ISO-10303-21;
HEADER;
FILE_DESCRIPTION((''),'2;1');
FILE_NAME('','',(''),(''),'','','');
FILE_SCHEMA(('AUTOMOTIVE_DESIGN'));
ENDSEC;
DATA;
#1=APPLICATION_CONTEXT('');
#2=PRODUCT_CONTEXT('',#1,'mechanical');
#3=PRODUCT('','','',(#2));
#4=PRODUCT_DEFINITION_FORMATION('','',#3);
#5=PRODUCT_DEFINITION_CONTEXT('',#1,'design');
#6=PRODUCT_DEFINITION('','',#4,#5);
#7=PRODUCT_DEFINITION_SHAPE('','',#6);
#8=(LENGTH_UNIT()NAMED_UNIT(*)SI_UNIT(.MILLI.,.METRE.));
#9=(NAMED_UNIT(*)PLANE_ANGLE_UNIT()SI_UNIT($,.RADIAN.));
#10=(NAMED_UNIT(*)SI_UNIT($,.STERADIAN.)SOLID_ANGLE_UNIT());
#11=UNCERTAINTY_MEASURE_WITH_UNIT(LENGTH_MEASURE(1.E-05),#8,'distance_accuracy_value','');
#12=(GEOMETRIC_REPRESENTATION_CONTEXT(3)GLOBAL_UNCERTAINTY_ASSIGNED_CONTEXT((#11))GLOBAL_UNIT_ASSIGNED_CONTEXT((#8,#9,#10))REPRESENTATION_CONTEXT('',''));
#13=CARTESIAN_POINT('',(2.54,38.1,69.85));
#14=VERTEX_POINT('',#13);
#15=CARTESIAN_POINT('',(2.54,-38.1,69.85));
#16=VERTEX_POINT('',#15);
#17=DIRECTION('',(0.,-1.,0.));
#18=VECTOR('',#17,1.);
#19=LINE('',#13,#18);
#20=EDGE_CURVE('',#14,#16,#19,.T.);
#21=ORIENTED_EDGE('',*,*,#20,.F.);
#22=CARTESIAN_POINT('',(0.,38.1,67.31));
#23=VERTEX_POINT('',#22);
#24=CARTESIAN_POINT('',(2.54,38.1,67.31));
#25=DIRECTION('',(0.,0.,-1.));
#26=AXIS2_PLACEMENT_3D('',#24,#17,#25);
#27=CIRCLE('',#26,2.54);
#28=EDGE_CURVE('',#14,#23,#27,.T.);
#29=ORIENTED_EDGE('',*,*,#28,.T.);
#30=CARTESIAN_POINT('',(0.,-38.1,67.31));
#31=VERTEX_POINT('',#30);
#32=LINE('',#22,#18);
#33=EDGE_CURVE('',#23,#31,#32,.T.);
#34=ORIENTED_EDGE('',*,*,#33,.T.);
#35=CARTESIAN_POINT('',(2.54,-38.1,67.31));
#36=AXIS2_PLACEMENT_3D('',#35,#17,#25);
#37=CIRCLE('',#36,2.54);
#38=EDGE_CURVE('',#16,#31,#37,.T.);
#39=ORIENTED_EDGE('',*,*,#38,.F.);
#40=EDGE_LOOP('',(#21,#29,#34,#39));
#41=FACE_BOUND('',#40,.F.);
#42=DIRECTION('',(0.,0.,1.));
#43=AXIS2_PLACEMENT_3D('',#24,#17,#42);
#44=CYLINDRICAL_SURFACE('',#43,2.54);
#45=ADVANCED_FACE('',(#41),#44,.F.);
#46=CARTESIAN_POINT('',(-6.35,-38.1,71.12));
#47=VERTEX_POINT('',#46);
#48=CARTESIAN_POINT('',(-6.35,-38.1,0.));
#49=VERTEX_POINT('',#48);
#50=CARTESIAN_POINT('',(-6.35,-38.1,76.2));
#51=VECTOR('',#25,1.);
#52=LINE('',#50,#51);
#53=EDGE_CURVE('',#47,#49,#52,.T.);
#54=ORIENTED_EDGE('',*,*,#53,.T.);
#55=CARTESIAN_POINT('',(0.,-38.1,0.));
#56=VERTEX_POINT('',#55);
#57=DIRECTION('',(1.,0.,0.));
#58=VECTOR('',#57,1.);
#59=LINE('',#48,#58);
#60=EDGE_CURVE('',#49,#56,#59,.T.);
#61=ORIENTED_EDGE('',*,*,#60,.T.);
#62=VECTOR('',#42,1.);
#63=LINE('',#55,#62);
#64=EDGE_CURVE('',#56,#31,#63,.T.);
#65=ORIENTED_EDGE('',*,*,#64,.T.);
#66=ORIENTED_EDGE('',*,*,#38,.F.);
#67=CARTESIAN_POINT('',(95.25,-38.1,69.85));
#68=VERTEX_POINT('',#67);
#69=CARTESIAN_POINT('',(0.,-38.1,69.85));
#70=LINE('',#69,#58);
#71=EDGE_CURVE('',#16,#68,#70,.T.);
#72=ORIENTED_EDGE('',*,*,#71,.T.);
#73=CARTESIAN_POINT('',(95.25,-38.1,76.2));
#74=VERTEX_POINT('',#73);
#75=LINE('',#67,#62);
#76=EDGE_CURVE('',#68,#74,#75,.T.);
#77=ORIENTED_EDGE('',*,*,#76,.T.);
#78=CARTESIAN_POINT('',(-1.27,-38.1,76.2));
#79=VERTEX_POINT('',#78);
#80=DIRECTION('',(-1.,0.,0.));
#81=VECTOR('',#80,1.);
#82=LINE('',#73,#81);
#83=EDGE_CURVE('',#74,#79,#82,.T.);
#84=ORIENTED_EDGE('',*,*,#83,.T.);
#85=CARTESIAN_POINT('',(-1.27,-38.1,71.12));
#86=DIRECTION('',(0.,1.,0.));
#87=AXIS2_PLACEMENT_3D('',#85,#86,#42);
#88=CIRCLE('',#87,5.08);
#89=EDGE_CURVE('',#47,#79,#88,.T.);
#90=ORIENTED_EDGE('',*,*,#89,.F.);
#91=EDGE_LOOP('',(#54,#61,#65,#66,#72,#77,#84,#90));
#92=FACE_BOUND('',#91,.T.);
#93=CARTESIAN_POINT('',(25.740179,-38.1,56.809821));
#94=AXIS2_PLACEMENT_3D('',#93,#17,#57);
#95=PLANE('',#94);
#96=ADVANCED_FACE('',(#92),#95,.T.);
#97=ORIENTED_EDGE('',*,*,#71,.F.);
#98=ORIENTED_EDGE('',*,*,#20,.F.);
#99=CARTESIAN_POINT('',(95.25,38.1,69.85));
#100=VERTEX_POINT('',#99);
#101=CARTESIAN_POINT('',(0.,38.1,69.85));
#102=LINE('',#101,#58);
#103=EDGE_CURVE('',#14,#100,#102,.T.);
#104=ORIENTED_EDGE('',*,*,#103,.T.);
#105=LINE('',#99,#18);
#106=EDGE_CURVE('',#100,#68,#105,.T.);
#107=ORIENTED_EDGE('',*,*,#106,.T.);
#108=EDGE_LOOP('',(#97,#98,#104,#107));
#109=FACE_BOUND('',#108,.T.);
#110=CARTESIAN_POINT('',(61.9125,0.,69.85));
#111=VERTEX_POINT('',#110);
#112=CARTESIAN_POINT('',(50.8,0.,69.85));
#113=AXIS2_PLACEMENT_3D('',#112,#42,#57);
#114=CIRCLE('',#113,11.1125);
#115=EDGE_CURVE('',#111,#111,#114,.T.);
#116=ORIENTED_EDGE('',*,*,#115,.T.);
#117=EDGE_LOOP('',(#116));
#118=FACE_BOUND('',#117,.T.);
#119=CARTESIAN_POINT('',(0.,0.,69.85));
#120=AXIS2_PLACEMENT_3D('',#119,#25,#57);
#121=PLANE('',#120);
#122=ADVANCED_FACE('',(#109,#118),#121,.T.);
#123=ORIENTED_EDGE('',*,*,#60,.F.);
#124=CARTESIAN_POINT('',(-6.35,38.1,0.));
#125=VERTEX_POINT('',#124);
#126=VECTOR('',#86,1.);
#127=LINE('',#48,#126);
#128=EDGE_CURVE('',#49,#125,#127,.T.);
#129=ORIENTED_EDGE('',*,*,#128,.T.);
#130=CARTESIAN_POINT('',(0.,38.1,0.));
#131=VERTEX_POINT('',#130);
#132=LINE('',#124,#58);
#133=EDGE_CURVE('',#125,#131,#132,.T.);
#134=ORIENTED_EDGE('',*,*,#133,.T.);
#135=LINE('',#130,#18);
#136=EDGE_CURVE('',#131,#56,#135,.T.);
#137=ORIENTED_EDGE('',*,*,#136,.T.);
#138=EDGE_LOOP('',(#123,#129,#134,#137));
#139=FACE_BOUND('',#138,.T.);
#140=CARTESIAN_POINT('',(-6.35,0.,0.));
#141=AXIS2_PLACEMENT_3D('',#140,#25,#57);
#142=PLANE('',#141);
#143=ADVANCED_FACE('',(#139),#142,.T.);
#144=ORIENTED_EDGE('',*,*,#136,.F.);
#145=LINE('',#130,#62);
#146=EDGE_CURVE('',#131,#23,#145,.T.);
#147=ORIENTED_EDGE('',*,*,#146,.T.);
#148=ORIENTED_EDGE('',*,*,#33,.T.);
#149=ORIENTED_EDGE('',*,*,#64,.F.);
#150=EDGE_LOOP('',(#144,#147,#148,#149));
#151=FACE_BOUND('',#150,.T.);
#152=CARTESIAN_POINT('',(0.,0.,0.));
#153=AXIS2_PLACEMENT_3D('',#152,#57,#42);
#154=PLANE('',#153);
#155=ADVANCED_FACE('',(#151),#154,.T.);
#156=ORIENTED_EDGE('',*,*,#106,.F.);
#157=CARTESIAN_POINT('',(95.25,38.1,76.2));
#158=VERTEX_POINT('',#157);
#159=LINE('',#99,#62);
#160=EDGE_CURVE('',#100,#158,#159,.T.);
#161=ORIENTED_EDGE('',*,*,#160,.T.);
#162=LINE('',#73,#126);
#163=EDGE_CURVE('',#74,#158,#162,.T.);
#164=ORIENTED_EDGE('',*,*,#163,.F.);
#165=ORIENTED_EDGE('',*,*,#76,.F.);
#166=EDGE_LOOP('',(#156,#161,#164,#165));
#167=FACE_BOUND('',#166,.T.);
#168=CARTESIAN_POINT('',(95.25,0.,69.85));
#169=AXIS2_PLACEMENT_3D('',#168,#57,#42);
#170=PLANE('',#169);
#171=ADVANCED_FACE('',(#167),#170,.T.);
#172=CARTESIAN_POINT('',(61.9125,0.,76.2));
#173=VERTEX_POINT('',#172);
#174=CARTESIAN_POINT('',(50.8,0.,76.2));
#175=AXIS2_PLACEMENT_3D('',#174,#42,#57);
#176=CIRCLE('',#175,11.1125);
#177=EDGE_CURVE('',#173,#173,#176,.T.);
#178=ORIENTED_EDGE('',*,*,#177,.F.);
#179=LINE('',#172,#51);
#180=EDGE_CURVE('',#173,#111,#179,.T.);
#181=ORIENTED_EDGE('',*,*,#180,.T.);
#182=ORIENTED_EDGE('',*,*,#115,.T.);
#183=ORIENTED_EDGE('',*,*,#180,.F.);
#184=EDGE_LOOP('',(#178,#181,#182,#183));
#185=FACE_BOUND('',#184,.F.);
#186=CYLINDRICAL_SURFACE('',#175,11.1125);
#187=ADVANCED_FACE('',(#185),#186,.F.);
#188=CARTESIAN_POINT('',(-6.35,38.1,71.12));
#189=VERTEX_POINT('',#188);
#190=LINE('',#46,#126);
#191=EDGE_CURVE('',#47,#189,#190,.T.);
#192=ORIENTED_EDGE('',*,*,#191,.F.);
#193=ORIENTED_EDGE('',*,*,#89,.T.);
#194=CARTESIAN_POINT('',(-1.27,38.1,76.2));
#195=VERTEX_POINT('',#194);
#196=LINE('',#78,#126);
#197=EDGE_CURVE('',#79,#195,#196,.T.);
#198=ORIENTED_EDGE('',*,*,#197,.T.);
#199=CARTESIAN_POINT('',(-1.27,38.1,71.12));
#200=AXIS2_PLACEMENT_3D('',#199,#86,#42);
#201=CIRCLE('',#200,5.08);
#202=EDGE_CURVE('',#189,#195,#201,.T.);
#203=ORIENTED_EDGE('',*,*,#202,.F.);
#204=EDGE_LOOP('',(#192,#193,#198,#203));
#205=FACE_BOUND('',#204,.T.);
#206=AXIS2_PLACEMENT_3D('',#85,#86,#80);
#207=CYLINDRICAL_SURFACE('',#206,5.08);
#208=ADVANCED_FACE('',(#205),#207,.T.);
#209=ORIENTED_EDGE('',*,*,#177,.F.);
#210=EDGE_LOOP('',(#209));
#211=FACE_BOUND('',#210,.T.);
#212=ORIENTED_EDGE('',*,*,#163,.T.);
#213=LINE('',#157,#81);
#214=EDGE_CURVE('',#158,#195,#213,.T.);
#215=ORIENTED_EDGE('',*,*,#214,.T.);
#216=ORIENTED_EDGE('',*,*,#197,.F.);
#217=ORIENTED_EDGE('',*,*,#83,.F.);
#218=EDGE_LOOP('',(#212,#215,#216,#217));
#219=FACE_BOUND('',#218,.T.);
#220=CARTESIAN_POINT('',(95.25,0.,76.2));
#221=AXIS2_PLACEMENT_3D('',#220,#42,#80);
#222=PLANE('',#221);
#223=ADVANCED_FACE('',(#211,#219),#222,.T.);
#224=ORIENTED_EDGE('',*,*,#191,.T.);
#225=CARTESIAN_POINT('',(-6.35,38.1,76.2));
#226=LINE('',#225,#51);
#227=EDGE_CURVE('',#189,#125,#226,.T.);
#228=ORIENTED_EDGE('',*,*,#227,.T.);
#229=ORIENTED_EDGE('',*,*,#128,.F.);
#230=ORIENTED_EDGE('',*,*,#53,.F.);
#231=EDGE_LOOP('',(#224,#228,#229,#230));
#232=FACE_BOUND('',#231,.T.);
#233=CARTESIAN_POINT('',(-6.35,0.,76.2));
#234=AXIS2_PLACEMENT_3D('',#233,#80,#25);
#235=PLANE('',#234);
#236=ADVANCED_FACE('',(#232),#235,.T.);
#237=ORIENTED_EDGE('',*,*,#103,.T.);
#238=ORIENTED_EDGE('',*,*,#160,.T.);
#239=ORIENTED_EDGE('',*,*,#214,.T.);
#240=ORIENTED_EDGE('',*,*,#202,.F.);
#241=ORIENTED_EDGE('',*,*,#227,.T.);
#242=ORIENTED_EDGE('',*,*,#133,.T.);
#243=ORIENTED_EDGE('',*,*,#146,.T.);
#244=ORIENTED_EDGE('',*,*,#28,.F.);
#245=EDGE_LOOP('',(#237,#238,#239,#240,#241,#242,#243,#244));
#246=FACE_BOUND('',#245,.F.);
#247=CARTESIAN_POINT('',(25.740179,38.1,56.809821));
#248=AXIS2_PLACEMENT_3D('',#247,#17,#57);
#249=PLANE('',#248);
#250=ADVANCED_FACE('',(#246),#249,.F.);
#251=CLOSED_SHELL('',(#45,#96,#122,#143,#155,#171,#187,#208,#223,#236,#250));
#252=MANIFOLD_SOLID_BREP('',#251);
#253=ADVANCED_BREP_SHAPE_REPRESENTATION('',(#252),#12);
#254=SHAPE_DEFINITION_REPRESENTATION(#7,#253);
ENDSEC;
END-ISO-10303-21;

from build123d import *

# Parameters (mm, degrees)
F1_DEPTH      = 38.1
F1_DEPTH_BACK = 38.1
F2_R          = 5.08
F3_R          = 2.54
F4_R          = 11.1125
F5_DEPTH      = 25.4


with BuildPart() as f1:
    # F0 (on Front) → F1 (new body, two sides)
    with BuildSketch(Plane.XZ) as f1_sk:
        Polygon((-6.35, 0), (0, 0), (0, 69.85), (95.25, 69.85), (95.25, 76.2), (-6.35, 76.2), align=None)
    extrude(amount=F1_DEPTH)
    extrude(f1_sk.sketch, amount=-F1_DEPTH_BACK)

    # F2
    f2_edges = [f1.edges().sort_by_distance(p)[0] for p in [
        (-6.35, 0, 76.2),
    ]]
    fillet(f2_edges, radius=F2_R)

    # F3
    f3_edges = [f1.edges().sort_by_distance(p)[0] for p in [
        (0, 0, 69.85),
    ]]
    fillet(f3_edges, radius=F3_R)

    # F4 (on face) → F5 (cut)
    with BuildSketch(Plane.XY.offset(76.2)):
        with Locations((50.8, 0)):
            Circle(F4_R)
    extrude(amount=-F5_DEPTH, mode=Mode.SUBTRACT)


solid = f1.part
